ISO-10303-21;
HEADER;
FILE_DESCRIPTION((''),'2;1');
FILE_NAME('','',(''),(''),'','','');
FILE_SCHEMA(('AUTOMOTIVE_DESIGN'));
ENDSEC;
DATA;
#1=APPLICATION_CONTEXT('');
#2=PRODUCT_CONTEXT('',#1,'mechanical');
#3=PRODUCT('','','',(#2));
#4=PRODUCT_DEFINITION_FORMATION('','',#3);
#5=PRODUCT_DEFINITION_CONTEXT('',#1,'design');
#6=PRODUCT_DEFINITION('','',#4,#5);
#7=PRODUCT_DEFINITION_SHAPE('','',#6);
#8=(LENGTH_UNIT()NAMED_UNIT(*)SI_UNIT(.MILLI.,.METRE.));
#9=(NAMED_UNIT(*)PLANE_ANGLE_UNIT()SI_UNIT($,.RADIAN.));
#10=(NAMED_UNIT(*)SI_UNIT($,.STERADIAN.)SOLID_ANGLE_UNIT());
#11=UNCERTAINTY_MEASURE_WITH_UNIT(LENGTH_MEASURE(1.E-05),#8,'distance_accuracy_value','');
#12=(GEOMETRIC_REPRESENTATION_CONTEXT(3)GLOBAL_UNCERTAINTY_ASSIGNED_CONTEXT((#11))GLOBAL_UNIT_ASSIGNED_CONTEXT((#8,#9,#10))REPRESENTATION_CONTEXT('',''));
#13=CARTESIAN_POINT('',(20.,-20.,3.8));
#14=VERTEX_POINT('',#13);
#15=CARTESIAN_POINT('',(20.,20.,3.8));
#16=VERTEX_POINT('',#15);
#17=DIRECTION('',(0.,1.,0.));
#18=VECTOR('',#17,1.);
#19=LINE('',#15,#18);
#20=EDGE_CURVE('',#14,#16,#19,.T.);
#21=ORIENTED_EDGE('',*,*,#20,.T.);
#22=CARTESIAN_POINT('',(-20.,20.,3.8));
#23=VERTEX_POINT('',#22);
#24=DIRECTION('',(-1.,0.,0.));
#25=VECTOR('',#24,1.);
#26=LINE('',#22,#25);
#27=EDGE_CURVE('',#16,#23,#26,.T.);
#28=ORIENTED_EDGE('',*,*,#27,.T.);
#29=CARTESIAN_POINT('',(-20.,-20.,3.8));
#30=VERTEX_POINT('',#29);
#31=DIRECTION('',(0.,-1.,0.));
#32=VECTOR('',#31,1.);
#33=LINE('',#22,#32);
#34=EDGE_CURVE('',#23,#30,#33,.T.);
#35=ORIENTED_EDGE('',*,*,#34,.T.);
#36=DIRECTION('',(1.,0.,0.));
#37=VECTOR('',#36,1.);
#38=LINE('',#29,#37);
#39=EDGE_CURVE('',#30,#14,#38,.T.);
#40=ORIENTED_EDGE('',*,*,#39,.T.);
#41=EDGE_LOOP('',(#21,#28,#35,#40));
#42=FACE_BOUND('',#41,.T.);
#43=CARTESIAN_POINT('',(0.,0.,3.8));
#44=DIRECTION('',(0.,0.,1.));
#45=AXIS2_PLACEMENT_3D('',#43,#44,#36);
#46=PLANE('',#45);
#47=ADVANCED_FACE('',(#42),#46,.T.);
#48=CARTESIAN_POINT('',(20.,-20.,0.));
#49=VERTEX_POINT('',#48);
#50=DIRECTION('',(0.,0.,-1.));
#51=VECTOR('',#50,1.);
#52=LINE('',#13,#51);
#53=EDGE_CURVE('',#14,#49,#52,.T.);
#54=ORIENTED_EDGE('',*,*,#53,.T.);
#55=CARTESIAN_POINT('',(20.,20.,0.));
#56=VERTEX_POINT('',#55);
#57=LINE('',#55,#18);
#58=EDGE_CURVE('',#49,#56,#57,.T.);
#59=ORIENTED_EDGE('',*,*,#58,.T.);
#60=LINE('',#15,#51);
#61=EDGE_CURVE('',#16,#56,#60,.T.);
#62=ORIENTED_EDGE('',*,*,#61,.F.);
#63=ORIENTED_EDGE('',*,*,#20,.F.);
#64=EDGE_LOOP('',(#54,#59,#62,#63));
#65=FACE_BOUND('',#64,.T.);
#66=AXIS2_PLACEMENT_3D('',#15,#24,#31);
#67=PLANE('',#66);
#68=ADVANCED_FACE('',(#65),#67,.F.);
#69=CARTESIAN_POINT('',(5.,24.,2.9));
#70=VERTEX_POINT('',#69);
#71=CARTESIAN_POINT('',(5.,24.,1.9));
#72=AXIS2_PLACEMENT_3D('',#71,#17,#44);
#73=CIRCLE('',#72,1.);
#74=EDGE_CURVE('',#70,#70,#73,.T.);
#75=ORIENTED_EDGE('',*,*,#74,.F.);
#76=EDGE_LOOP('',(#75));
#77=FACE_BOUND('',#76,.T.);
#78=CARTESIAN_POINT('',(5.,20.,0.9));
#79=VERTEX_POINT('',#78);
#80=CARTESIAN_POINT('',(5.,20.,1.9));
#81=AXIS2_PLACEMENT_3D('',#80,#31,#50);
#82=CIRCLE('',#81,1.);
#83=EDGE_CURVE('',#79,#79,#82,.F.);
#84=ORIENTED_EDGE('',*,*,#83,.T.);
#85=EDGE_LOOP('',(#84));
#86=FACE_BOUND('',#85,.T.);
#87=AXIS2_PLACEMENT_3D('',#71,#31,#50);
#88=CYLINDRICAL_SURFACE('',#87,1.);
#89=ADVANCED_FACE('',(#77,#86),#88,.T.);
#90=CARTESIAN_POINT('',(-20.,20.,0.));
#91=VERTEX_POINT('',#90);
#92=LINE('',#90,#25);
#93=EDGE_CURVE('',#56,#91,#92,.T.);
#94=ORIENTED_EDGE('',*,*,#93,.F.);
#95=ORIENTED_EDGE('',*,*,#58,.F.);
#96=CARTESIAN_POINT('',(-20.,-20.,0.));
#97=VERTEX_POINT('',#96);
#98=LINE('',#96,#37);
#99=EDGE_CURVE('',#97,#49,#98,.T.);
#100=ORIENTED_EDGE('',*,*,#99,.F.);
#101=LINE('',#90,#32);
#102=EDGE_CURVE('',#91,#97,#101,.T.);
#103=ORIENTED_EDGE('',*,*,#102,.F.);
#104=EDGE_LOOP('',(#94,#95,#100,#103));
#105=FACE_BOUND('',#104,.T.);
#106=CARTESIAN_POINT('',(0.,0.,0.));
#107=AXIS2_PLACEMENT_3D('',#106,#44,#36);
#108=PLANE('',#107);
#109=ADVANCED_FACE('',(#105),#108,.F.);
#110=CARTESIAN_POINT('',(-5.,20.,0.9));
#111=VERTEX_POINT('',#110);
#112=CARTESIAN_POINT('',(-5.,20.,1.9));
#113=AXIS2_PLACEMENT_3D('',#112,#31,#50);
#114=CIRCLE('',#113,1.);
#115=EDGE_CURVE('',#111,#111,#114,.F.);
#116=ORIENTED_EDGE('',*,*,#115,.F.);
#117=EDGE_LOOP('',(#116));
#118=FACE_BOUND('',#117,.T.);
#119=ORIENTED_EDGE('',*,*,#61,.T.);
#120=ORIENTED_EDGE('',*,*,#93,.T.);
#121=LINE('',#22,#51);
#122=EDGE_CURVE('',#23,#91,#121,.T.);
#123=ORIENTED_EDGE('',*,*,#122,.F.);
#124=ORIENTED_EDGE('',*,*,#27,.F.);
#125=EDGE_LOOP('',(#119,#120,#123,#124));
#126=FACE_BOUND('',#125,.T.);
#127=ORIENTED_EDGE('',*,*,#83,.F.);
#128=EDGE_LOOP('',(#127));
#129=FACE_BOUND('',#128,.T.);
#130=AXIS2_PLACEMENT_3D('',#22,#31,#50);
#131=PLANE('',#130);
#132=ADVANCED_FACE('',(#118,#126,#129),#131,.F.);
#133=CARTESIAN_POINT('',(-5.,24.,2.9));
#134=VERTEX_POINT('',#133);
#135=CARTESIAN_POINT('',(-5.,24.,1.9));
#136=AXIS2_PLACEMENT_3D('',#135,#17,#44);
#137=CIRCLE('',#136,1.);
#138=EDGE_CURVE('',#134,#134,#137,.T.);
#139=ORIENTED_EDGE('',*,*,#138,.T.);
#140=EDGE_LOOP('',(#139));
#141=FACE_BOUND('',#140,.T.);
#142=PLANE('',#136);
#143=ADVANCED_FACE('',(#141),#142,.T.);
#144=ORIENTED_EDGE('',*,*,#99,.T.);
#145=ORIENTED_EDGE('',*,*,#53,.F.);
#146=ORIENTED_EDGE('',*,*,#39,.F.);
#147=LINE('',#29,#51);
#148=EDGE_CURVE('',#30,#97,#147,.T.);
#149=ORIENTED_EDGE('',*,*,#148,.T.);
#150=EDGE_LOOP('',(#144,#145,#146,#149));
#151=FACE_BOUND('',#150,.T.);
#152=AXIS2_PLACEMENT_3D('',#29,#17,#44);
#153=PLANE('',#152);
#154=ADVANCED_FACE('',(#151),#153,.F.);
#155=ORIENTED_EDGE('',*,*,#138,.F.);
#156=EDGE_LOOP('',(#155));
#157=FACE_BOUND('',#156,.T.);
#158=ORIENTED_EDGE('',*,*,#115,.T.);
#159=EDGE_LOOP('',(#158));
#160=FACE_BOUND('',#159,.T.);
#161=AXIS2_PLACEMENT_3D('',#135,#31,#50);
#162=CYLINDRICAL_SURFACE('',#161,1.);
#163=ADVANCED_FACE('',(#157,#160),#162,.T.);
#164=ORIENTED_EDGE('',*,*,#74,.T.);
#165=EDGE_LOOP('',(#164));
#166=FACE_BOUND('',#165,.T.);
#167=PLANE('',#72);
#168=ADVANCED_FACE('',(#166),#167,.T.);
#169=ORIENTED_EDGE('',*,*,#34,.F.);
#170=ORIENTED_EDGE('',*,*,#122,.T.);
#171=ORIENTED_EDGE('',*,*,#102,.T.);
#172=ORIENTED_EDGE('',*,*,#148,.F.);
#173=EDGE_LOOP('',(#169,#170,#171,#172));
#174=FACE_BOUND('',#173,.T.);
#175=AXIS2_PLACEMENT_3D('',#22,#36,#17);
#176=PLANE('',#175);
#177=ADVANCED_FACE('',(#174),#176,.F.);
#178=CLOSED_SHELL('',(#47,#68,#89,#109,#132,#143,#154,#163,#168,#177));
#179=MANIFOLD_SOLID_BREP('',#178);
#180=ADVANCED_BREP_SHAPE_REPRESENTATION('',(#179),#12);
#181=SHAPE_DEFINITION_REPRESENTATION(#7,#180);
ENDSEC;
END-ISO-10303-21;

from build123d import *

# Parameters (mm, degrees)
SKETCH_1_W      = 40
SKETCH_1_H      = 40
EXTRUDE_1_DEPTH = 3.8
SKETCH_3_R      = 1
EXTRUDE_3_DEPTH = 4
SKETCH_4_R      = 1
EXTRUDE_4_DEPTH = 4


with BuildPart() as part:
    # 草图1 → 凸台-拉伸1 (new body)
    with BuildSketch(Plane.XY):
        Rectangle(SKETCH_1_W, SKETCH_1_H)
    extrude(amount=EXTRUDE_1_DEPTH)

    # 草图3 → 凸台-拉伸3 (add)
    with BuildSketch(Plane(origin=(0, 20, 0), x_dir=(1, 0, 0), z_dir=(0, 1, 0))):
        with Locations(Location((5, -1.9, 0), (0, 0, 90))):
            Circle(SKETCH_3_R)
    extrude(amount=EXTRUDE_3_DEPTH)

    # 草图4 → 凸台-拉伸4 (add)
    with BuildSketch(Plane(origin=(0, 20, 0), x_dir=(1, 0, 0), z_dir=(0, 1, 0))):
        with Locations(Location((-5, -1.9, 0), (0, 0, 90))):
            Circle(SKETCH_4_R)
    extrude(amount=EXTRUDE_4_DEPTH)


solid = part.part
